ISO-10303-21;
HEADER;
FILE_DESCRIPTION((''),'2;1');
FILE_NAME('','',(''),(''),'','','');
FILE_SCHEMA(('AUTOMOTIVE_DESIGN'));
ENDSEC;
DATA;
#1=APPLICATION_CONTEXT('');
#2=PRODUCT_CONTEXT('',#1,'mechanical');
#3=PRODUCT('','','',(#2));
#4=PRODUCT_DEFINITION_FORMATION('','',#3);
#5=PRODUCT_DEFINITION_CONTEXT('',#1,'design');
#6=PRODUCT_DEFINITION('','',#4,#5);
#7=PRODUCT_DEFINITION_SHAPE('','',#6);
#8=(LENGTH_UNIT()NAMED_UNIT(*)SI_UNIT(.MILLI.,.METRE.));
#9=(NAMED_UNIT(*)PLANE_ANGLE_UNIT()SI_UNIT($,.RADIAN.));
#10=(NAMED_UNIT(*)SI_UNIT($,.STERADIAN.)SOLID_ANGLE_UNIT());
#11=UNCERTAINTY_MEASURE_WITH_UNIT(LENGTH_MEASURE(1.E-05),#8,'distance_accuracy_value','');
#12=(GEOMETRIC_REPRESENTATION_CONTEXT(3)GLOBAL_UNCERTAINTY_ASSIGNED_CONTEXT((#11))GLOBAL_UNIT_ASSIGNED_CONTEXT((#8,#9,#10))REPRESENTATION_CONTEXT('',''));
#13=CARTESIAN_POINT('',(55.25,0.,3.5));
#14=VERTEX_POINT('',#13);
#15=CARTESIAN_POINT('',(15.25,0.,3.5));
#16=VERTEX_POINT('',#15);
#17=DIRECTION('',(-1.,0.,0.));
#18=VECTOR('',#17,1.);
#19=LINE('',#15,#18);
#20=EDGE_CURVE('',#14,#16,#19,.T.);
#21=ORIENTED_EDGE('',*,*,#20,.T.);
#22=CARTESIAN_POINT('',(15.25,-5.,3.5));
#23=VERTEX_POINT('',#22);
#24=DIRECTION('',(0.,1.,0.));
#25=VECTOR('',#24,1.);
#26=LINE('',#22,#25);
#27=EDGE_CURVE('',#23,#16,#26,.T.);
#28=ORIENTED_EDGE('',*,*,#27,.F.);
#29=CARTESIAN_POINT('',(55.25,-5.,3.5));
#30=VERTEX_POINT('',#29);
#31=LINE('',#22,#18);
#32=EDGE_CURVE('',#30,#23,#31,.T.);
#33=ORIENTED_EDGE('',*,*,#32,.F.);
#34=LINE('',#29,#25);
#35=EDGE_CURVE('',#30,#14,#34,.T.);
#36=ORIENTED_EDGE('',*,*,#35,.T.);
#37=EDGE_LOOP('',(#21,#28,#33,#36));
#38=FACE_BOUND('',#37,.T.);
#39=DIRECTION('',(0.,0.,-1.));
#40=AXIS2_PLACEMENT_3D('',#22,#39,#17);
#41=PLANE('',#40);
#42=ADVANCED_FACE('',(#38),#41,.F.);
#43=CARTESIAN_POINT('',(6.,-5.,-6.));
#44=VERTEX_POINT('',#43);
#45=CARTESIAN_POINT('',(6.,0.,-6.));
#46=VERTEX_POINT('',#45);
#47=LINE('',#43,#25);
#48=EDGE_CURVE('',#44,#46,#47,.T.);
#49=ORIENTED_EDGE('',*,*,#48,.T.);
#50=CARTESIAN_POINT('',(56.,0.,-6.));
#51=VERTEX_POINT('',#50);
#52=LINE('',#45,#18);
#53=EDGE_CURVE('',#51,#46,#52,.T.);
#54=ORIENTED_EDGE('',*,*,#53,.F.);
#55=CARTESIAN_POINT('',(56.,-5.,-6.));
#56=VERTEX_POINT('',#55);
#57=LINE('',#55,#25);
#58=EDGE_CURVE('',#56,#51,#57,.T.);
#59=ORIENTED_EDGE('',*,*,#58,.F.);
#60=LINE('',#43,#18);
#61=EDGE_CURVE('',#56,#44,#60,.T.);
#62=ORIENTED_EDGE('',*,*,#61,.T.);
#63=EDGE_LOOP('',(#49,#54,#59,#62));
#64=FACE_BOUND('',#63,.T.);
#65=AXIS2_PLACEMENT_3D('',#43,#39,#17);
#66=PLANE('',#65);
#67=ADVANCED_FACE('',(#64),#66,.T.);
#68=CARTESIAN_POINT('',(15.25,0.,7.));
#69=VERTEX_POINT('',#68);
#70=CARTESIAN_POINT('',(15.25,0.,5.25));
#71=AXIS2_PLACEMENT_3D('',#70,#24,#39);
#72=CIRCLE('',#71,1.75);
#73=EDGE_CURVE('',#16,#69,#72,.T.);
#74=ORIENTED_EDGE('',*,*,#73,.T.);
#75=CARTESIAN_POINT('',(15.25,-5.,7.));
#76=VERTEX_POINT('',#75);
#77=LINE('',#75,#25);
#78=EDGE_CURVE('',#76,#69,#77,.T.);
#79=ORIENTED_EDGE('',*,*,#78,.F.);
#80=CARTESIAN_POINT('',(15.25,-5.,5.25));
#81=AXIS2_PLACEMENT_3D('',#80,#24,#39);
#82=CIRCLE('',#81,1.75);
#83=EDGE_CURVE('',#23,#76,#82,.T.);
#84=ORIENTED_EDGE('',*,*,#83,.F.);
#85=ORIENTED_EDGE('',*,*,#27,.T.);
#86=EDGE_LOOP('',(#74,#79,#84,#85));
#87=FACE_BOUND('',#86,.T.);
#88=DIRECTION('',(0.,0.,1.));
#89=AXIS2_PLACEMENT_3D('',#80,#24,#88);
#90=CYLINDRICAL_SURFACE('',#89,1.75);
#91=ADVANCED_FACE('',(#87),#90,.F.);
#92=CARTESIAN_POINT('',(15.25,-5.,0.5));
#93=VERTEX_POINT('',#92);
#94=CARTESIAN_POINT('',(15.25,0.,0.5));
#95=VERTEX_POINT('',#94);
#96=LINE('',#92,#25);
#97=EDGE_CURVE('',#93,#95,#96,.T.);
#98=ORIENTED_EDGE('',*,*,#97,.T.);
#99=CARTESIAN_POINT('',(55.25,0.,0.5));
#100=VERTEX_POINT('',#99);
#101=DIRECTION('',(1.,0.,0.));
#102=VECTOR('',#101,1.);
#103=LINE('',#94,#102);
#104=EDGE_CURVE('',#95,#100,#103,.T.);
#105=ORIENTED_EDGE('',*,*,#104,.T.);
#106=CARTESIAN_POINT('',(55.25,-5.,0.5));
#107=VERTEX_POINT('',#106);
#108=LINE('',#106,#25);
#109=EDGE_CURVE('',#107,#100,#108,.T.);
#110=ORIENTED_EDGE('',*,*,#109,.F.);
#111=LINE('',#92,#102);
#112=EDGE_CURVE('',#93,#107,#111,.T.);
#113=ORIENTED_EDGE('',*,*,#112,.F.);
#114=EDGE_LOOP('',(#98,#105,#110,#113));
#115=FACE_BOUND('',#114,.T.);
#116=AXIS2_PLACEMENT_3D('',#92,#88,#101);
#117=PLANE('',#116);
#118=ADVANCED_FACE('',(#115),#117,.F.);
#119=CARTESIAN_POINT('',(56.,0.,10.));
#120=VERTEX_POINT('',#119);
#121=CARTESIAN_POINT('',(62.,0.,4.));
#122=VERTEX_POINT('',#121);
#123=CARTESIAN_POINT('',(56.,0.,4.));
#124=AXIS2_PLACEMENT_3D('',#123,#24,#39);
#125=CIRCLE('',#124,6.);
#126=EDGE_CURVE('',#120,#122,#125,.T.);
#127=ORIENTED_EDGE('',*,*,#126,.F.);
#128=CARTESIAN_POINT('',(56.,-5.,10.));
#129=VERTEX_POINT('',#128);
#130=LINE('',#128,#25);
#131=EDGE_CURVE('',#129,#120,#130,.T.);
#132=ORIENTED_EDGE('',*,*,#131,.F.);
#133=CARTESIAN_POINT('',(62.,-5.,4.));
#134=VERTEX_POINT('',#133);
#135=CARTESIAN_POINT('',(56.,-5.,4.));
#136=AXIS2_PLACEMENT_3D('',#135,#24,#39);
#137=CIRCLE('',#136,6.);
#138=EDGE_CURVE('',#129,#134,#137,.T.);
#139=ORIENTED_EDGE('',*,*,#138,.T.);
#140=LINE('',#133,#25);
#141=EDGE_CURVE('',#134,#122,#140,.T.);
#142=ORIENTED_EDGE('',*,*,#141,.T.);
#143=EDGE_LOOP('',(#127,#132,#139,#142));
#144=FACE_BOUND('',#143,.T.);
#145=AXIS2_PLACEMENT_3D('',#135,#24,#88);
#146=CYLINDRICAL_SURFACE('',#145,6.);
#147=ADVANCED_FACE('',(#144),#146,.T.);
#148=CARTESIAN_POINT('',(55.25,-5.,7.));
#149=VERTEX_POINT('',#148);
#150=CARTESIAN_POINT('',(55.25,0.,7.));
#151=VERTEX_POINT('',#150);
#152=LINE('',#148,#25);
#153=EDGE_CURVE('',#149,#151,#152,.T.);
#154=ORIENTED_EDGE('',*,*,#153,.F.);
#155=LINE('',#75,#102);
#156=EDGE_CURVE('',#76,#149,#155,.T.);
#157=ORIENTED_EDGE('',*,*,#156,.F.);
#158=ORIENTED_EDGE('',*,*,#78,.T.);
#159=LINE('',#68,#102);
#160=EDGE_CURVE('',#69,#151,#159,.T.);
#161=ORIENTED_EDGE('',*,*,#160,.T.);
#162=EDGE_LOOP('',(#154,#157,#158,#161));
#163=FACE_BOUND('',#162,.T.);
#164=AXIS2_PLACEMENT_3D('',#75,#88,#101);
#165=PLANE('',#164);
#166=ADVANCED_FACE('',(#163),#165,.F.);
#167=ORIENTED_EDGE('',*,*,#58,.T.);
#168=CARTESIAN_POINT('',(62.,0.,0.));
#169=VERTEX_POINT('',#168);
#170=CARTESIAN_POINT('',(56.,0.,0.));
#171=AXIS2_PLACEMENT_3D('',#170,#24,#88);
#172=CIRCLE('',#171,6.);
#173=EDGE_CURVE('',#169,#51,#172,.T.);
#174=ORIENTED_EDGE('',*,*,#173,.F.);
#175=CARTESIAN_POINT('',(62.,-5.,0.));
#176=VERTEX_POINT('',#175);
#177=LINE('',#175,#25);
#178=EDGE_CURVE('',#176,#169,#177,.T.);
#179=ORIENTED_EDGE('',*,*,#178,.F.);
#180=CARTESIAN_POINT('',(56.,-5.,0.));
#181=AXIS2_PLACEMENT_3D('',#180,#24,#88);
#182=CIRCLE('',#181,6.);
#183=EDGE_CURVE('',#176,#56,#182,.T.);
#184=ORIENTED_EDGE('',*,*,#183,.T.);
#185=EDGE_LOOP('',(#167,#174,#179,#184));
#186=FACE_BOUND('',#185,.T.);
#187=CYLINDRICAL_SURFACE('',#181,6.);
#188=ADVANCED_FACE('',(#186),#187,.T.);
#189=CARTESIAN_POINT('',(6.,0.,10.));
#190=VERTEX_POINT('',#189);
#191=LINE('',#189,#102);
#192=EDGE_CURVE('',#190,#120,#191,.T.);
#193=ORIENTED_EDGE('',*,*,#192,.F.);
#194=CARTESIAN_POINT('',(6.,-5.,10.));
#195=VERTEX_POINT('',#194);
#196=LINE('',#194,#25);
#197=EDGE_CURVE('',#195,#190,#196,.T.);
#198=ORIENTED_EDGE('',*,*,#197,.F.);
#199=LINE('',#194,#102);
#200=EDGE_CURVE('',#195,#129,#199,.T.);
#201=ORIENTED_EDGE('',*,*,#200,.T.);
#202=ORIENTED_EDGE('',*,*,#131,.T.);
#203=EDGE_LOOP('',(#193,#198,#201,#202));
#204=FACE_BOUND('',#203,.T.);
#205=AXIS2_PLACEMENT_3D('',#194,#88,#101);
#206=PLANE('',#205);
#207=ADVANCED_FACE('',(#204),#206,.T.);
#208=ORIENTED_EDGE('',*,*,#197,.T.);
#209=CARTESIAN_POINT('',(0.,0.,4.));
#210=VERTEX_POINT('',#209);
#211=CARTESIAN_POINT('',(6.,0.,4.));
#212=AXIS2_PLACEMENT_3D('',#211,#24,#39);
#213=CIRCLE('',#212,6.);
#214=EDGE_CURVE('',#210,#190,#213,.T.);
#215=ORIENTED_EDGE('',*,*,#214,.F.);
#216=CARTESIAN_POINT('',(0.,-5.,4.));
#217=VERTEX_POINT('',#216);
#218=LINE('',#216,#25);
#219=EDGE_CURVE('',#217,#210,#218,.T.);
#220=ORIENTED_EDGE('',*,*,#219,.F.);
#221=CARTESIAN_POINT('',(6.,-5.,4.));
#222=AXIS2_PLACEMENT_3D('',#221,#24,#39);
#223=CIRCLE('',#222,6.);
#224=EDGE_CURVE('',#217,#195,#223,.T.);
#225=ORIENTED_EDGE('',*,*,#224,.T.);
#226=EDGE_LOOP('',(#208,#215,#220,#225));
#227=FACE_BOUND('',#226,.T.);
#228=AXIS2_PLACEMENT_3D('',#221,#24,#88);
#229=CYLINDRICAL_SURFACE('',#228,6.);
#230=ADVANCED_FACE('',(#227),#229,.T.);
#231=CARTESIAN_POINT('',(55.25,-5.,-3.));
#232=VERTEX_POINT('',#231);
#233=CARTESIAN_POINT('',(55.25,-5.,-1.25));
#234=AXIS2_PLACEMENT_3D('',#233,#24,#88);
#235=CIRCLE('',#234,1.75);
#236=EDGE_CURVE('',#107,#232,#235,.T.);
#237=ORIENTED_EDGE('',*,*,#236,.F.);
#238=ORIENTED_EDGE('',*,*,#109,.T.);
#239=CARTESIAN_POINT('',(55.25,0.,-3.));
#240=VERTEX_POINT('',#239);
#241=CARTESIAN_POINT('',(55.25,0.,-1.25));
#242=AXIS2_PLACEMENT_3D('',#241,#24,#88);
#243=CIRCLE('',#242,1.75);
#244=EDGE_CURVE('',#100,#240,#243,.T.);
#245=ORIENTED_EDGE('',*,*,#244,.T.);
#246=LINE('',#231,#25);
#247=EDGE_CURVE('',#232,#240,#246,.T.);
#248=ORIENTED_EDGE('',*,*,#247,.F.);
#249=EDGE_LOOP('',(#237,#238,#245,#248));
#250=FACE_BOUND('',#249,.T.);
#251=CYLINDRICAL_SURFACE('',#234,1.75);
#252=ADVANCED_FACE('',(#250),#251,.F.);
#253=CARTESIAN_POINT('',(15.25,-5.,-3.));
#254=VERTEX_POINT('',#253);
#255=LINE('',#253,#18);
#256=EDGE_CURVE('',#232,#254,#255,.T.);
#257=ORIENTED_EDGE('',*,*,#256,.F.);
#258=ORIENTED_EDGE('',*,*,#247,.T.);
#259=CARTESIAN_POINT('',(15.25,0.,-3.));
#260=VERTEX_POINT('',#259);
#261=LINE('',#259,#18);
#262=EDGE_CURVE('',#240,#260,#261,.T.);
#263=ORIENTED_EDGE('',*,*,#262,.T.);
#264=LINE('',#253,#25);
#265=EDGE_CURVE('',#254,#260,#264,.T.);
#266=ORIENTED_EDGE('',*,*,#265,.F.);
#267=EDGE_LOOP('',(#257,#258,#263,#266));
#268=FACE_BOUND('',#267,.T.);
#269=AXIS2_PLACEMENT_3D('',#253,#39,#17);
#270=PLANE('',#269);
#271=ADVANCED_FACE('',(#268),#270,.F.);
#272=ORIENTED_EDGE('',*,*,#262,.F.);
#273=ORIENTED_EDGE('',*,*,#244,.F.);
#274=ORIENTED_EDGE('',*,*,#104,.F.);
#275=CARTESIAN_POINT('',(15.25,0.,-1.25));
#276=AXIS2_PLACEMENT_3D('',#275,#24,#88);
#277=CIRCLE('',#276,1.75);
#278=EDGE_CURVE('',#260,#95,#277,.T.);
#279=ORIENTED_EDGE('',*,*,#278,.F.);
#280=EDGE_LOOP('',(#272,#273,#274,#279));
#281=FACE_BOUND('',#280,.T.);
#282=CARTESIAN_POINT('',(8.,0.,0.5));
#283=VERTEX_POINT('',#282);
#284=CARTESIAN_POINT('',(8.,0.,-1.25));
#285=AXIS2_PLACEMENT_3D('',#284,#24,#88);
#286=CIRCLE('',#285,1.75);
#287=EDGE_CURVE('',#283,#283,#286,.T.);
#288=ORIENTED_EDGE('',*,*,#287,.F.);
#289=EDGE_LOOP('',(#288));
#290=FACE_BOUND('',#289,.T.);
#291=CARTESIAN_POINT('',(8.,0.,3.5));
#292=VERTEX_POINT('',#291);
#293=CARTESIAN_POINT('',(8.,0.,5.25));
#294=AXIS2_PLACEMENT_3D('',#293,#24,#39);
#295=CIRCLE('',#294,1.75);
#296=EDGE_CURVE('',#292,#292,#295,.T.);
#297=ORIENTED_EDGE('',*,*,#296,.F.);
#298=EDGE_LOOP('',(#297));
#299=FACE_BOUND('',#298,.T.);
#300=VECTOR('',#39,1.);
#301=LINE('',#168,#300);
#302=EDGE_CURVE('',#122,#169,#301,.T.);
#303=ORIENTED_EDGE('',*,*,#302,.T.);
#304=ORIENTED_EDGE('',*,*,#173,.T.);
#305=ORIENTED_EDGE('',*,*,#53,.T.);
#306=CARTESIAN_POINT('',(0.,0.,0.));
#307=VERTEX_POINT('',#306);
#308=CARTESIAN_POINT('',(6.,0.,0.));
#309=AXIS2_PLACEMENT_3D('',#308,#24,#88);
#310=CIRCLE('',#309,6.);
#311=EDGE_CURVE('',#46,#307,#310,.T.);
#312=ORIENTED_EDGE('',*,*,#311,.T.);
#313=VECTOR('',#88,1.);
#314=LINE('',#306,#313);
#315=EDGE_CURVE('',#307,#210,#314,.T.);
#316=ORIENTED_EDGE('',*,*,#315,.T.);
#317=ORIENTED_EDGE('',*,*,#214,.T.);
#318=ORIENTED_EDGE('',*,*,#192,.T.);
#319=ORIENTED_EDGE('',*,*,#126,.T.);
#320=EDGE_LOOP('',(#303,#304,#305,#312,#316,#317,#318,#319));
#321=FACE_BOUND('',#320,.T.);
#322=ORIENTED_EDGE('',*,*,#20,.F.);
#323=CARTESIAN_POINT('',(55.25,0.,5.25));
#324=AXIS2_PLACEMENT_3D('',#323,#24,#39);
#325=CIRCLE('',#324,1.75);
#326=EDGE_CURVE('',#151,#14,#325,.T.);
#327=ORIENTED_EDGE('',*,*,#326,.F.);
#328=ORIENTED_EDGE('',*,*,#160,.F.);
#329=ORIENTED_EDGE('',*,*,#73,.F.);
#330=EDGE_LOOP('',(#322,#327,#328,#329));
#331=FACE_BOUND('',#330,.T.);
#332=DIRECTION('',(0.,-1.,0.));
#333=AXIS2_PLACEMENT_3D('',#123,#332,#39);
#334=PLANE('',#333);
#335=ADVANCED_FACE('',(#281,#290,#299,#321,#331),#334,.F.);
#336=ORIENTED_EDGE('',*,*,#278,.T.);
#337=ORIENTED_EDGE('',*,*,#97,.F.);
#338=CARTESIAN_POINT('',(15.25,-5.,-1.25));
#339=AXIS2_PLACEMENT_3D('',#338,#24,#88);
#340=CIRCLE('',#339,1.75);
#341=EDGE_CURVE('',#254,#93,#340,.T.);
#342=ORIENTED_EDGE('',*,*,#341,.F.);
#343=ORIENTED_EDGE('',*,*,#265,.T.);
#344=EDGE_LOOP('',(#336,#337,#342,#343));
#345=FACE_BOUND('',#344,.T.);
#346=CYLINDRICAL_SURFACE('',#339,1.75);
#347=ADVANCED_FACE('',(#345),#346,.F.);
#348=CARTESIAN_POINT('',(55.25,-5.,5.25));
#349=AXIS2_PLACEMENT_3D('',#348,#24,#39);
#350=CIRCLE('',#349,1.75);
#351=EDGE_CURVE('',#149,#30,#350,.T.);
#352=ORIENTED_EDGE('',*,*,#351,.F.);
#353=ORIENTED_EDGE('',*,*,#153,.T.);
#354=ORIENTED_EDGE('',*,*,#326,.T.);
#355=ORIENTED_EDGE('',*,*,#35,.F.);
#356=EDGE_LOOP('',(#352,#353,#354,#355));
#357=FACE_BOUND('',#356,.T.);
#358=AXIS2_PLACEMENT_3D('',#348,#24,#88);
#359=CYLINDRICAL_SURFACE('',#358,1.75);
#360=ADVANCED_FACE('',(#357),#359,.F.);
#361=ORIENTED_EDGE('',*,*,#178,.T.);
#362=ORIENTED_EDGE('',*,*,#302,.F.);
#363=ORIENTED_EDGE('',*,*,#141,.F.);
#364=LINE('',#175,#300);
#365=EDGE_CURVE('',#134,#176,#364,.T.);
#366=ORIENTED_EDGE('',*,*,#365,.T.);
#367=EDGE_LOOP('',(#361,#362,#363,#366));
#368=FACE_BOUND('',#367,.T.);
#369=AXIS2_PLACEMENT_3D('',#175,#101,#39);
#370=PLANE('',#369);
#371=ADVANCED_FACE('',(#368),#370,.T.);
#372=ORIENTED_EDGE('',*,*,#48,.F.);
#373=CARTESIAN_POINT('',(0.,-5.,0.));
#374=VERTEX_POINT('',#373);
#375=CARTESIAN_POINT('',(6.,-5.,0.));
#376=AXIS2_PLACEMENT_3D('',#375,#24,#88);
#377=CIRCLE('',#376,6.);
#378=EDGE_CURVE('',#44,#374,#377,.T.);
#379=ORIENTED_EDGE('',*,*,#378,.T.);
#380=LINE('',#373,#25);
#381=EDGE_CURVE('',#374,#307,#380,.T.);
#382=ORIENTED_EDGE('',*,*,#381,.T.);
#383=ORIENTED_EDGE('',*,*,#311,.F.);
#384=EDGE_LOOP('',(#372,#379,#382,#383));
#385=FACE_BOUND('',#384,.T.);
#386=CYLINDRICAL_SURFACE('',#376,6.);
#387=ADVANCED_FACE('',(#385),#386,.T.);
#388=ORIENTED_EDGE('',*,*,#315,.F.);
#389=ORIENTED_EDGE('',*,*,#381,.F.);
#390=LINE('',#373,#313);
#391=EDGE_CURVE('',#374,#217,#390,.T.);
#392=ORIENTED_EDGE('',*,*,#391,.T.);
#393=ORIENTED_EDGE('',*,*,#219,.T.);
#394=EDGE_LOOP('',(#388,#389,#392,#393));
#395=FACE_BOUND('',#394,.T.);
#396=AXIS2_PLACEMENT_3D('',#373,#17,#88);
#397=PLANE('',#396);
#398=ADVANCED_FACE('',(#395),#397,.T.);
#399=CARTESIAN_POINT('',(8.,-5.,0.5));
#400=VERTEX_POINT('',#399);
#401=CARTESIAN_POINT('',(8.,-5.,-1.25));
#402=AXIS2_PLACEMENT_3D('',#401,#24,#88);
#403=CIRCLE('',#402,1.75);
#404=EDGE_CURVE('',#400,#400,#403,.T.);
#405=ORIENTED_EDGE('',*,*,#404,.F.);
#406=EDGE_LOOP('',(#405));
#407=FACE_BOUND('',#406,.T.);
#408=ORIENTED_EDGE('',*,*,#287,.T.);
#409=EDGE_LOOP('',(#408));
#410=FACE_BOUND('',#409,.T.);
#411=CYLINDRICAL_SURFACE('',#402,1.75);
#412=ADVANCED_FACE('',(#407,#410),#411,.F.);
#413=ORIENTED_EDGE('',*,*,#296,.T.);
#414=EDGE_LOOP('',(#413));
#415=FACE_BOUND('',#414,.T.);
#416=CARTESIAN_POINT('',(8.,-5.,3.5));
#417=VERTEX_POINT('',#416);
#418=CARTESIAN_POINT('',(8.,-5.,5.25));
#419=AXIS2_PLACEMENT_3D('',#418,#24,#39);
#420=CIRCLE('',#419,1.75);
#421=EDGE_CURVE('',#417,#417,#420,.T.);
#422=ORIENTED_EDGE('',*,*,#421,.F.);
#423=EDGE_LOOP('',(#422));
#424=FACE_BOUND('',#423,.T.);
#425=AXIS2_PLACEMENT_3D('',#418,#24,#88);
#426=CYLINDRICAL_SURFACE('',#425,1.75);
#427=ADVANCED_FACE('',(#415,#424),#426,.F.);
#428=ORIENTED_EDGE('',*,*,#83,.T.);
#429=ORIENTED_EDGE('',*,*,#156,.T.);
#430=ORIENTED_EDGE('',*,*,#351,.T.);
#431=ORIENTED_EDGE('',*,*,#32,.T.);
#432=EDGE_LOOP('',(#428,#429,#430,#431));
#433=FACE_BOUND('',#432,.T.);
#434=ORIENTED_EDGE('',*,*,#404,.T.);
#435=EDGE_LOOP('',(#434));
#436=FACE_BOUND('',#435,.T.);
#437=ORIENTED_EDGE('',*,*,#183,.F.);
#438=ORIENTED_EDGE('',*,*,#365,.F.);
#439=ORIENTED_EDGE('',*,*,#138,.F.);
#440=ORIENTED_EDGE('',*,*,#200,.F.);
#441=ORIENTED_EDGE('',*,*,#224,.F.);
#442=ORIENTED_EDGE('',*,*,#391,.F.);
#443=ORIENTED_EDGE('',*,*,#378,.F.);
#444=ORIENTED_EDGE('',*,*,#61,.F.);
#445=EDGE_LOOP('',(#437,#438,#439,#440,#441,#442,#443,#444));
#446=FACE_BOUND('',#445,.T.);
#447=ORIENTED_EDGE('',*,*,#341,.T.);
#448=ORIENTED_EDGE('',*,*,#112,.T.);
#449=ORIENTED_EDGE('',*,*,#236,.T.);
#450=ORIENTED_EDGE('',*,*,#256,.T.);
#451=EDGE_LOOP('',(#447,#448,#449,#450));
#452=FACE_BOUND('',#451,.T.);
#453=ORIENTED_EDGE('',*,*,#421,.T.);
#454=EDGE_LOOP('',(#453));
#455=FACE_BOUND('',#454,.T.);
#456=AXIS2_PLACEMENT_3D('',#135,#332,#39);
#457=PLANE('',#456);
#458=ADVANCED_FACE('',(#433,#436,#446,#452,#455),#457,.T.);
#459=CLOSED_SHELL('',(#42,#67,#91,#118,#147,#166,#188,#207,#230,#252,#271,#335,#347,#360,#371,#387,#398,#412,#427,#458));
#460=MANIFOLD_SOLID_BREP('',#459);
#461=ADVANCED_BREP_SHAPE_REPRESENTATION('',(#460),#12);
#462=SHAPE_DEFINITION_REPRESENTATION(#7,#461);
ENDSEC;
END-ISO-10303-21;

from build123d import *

# Parameters (mm, degrees)
SKETCH1_R           = 1.75
BOSS_EXTRUDE1_DEPTH = 5


with BuildPart() as part:
    # Sketch1 → Boss-Extrude1 (new body)
    with BuildSketch(Plane(origin=(0, 0, 0), x_dir=(1, 0, 0), z_dir=(0, 1, 0))):
        with BuildLine():
            Line((6, 6), (56, 6))
            ThreePointArc((56, 6), (60.242640687, 4.242640687), (62, 0))
            Line((62, 0), (62, -4))
            ThreePointArc((62, -4), (60.242640687, -8.242640687), (56, -10))
            Line((56, -10), (6, -10))
            ThreePointArc((6, -10), (1.757359313, -8.242640687), (0, -4))
            Line((0, -4), (0, 0))
            ThreePointArc((0, 0), (1.757359313, 4.242640687), (6, 6))
        make_face()
        with Locations(Location((8, 1.25, 0), (0, 0, 270))):
            Circle(SKETCH1_R, mode=Mode.SUBTRACT)
        with Locations(Location((8, -5.25, 0), (0, 0, 90))):
            Circle(SKETCH1_R, mode=Mode.SUBTRACT)
        with BuildLine():
            Line((15.25, -7), (55.25, -7))
            ThreePointArc((55.25, -7), (57, -5.25), (55.25, -3.5))
            Line((55.25, -3.5), (15.25, -3.5))
            ThreePointArc((15.25, -3.5), (13.5, -5.25), (15.25, -7))
        make_face(mode=Mode.SUBTRACT)
        with BuildLine():
            Line((15.25, 3), (55.25, 3))
            ThreePointArc((55.25, 3), (57, 1.25), (55.25, -0.5))
            Line((55.25, -0.5), (15.25, -0.5))
            ThreePointArc((15.25, -0.5), (13.5, 1.25), (15.25, 3))
        make_face(mode=Mode.SUBTRACT)
    extrude(amount=-BOSS_EXTRUDE1_DEPTH)


solid = part.part
